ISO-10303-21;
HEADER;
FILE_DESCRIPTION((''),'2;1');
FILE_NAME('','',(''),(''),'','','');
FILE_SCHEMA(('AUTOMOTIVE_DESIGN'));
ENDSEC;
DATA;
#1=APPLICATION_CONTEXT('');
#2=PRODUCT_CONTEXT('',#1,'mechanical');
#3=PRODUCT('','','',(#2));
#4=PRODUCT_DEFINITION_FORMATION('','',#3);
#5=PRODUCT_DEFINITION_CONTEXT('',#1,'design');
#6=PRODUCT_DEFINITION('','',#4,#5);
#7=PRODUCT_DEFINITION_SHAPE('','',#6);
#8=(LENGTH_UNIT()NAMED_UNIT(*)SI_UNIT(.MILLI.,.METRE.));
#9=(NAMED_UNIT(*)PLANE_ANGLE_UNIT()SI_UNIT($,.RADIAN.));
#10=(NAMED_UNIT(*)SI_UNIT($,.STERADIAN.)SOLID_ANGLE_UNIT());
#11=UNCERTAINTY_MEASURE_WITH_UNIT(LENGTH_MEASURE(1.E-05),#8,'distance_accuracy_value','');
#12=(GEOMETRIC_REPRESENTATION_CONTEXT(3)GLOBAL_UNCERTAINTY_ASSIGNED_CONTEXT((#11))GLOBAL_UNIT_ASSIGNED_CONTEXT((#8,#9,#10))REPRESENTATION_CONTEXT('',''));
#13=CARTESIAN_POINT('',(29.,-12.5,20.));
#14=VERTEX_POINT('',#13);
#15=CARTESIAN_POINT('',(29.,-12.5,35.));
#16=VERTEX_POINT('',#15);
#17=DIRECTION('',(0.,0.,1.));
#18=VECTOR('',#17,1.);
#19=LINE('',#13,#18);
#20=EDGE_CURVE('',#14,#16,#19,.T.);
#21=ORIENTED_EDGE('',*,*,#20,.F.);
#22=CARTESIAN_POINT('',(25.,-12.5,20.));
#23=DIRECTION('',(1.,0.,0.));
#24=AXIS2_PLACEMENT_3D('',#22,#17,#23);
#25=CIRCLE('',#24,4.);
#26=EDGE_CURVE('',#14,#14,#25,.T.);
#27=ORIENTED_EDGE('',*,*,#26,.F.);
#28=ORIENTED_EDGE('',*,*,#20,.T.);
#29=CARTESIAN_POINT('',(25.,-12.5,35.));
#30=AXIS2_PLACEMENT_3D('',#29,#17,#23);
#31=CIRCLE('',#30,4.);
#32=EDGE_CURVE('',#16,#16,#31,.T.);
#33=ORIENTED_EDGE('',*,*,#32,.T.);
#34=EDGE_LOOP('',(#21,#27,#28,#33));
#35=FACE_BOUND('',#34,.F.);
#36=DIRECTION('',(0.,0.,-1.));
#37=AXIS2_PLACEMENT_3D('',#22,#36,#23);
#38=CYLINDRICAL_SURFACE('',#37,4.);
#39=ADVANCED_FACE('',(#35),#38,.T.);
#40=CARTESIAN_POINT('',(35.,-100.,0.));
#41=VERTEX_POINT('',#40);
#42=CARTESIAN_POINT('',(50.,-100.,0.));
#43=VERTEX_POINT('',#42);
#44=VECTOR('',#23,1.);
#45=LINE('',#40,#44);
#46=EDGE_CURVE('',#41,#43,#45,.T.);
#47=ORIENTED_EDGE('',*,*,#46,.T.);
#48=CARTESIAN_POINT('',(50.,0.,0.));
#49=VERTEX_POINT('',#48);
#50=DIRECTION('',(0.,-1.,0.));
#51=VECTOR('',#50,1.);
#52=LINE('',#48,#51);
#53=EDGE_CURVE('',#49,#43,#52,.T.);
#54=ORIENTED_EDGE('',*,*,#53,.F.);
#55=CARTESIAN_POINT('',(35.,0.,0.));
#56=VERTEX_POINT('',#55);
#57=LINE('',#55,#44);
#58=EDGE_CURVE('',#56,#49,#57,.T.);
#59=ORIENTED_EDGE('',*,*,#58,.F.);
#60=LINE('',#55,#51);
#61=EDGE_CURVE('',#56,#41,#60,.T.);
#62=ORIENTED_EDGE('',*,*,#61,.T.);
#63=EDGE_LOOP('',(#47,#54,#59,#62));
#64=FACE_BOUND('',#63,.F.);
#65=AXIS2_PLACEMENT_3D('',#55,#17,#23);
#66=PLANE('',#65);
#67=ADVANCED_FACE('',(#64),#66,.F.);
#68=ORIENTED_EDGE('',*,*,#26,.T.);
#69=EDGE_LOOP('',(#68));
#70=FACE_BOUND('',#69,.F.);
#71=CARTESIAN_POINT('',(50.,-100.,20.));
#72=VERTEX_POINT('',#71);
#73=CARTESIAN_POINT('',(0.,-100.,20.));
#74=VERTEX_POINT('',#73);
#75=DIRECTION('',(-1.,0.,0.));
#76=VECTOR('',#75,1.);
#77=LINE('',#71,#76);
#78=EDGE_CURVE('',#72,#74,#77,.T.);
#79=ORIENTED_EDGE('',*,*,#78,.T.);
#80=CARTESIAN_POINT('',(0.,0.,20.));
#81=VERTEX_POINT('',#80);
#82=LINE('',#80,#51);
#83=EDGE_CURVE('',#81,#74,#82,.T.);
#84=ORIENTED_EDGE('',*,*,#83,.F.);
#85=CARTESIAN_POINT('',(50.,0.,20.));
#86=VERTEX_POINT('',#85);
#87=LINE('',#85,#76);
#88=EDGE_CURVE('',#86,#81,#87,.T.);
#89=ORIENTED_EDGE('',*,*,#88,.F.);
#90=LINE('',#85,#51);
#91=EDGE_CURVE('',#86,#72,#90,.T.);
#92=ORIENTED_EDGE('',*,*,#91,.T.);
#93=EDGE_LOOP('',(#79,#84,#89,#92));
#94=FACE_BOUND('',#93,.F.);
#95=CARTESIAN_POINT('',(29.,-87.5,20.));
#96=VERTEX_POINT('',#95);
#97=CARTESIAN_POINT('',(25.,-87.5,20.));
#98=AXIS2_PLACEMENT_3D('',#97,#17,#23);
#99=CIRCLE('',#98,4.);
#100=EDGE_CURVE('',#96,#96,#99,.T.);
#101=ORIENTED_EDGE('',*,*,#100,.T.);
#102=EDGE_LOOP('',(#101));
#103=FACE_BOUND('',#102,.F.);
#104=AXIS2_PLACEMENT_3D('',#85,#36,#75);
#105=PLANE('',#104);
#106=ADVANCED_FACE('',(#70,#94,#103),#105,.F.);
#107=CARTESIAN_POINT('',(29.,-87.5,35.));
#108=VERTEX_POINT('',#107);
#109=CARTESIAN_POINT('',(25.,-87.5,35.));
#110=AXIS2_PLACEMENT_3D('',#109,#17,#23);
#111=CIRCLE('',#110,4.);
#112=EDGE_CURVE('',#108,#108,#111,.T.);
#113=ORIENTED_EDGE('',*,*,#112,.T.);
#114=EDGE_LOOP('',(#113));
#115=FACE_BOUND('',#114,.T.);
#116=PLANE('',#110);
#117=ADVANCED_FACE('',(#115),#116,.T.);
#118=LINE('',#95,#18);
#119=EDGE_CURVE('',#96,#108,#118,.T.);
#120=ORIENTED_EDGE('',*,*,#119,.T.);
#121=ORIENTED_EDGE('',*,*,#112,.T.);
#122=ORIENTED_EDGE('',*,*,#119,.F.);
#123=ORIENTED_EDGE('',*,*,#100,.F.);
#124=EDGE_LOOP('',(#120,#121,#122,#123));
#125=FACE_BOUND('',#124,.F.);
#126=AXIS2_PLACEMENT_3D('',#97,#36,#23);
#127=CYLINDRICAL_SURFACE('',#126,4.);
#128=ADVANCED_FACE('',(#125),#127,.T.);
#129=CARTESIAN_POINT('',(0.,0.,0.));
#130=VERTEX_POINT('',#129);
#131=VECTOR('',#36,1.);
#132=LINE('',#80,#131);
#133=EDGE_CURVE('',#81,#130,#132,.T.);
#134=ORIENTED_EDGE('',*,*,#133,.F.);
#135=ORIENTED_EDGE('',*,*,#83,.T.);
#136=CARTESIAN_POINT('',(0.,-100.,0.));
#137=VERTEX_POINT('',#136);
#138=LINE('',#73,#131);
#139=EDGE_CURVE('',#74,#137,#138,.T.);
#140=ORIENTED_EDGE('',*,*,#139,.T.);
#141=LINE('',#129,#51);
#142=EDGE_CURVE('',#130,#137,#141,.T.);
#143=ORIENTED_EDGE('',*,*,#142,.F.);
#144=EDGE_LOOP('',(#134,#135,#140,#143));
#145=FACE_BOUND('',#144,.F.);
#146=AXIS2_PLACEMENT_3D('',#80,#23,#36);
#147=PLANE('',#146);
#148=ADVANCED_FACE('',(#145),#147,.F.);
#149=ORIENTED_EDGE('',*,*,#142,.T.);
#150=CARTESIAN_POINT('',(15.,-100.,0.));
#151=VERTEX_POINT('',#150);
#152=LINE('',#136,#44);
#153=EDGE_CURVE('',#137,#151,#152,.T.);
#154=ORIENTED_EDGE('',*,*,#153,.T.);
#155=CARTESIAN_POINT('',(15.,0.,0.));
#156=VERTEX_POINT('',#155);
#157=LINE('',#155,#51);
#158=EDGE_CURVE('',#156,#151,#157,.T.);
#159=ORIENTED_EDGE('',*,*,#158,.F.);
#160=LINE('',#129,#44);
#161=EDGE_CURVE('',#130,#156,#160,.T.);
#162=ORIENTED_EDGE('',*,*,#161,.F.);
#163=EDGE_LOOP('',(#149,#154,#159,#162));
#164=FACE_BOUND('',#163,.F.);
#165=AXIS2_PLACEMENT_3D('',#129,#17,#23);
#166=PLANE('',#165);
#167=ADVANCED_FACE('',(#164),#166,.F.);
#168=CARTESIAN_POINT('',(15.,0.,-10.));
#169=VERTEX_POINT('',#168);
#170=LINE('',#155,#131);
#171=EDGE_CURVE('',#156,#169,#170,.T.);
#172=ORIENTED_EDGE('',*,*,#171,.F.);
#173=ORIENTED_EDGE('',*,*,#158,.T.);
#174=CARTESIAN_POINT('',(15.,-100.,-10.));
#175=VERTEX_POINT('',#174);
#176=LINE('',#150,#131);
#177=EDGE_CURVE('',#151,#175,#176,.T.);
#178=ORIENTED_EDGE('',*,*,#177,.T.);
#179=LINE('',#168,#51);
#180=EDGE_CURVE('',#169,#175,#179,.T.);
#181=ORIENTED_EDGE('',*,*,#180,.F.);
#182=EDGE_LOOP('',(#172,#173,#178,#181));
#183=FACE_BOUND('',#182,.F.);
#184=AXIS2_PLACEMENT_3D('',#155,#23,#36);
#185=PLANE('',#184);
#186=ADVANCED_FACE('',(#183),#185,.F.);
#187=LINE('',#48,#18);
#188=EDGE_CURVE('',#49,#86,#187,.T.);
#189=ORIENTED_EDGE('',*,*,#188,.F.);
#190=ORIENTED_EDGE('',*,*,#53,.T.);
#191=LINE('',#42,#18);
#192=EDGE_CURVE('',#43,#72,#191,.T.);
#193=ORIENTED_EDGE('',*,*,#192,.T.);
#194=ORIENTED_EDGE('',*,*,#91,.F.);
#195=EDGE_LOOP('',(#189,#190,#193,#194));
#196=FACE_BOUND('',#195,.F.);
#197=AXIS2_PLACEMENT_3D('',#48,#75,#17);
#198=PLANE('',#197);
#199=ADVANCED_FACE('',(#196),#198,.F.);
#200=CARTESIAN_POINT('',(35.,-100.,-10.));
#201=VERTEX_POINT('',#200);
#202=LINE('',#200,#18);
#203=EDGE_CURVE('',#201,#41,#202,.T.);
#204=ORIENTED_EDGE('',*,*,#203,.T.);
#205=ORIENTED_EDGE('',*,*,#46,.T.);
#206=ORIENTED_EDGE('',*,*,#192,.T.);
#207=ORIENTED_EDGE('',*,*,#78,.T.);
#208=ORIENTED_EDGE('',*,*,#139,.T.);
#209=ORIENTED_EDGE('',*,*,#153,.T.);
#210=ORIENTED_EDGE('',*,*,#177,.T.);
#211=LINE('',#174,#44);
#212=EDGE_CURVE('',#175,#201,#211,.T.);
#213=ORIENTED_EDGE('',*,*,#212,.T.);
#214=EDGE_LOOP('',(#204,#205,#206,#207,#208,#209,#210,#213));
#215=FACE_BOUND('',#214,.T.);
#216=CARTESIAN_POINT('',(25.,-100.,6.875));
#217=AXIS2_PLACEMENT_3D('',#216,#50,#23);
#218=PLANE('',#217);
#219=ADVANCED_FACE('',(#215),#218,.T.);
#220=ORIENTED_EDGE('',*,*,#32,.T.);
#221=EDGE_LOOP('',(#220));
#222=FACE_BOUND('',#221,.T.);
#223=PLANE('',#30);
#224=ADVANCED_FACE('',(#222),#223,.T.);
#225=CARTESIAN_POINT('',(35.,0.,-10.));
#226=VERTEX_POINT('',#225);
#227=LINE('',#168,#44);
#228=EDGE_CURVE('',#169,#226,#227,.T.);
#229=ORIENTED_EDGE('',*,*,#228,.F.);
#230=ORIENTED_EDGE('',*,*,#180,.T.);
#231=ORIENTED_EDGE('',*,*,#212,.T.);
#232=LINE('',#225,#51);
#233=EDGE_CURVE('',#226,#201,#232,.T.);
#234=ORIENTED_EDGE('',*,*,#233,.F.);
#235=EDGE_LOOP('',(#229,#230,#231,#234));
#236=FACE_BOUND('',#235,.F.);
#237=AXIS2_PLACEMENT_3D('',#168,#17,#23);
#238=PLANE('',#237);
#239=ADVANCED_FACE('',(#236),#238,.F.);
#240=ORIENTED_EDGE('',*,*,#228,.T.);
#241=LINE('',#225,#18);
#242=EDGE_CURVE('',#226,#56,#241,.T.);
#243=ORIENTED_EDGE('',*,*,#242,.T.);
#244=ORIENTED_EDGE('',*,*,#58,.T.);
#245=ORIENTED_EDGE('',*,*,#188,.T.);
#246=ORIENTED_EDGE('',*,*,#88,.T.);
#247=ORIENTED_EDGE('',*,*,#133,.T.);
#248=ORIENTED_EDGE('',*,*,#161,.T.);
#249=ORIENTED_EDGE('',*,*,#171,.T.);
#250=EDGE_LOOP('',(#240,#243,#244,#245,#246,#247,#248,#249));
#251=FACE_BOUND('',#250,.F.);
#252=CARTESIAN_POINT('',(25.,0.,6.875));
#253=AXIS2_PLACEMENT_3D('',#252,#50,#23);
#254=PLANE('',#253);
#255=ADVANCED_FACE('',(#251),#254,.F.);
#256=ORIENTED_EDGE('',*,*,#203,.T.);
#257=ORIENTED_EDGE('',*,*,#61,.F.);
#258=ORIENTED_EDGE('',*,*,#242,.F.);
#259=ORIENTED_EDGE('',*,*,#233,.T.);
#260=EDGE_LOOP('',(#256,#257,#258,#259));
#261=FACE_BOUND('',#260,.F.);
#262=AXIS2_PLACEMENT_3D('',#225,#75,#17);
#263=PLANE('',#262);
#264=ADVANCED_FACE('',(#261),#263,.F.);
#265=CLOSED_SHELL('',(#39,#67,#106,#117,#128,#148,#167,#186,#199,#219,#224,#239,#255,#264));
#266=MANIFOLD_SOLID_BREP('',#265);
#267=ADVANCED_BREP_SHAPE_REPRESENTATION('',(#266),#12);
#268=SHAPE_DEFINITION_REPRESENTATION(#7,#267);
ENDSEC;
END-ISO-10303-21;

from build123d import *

# Parameters (mm, degrees)
F1_DEPTH = 100
F2_R     = 4
F3_DEPTH = 15


with BuildPart() as f1:
    # F0 (on Front) → F1 (new body)
    with BuildSketch(Plane.XZ):
        Polygon((0, 20), (0, 0), (15, 0), (15, -10), (35, -10), (35, 0), (50, 0), (50, 20), align=None)
    extrude(amount=F1_DEPTH)

    # F2 (on face) → F3 (join)
    with BuildSketch(Plane.XY.offset(20)):
        with Locations((25, -12.5)):
            Circle(F2_R)
        with Locations((25, -87.5)):
            Circle(F2_R)
    extrude(amount=F3_DEPTH)


solid = f1.part
